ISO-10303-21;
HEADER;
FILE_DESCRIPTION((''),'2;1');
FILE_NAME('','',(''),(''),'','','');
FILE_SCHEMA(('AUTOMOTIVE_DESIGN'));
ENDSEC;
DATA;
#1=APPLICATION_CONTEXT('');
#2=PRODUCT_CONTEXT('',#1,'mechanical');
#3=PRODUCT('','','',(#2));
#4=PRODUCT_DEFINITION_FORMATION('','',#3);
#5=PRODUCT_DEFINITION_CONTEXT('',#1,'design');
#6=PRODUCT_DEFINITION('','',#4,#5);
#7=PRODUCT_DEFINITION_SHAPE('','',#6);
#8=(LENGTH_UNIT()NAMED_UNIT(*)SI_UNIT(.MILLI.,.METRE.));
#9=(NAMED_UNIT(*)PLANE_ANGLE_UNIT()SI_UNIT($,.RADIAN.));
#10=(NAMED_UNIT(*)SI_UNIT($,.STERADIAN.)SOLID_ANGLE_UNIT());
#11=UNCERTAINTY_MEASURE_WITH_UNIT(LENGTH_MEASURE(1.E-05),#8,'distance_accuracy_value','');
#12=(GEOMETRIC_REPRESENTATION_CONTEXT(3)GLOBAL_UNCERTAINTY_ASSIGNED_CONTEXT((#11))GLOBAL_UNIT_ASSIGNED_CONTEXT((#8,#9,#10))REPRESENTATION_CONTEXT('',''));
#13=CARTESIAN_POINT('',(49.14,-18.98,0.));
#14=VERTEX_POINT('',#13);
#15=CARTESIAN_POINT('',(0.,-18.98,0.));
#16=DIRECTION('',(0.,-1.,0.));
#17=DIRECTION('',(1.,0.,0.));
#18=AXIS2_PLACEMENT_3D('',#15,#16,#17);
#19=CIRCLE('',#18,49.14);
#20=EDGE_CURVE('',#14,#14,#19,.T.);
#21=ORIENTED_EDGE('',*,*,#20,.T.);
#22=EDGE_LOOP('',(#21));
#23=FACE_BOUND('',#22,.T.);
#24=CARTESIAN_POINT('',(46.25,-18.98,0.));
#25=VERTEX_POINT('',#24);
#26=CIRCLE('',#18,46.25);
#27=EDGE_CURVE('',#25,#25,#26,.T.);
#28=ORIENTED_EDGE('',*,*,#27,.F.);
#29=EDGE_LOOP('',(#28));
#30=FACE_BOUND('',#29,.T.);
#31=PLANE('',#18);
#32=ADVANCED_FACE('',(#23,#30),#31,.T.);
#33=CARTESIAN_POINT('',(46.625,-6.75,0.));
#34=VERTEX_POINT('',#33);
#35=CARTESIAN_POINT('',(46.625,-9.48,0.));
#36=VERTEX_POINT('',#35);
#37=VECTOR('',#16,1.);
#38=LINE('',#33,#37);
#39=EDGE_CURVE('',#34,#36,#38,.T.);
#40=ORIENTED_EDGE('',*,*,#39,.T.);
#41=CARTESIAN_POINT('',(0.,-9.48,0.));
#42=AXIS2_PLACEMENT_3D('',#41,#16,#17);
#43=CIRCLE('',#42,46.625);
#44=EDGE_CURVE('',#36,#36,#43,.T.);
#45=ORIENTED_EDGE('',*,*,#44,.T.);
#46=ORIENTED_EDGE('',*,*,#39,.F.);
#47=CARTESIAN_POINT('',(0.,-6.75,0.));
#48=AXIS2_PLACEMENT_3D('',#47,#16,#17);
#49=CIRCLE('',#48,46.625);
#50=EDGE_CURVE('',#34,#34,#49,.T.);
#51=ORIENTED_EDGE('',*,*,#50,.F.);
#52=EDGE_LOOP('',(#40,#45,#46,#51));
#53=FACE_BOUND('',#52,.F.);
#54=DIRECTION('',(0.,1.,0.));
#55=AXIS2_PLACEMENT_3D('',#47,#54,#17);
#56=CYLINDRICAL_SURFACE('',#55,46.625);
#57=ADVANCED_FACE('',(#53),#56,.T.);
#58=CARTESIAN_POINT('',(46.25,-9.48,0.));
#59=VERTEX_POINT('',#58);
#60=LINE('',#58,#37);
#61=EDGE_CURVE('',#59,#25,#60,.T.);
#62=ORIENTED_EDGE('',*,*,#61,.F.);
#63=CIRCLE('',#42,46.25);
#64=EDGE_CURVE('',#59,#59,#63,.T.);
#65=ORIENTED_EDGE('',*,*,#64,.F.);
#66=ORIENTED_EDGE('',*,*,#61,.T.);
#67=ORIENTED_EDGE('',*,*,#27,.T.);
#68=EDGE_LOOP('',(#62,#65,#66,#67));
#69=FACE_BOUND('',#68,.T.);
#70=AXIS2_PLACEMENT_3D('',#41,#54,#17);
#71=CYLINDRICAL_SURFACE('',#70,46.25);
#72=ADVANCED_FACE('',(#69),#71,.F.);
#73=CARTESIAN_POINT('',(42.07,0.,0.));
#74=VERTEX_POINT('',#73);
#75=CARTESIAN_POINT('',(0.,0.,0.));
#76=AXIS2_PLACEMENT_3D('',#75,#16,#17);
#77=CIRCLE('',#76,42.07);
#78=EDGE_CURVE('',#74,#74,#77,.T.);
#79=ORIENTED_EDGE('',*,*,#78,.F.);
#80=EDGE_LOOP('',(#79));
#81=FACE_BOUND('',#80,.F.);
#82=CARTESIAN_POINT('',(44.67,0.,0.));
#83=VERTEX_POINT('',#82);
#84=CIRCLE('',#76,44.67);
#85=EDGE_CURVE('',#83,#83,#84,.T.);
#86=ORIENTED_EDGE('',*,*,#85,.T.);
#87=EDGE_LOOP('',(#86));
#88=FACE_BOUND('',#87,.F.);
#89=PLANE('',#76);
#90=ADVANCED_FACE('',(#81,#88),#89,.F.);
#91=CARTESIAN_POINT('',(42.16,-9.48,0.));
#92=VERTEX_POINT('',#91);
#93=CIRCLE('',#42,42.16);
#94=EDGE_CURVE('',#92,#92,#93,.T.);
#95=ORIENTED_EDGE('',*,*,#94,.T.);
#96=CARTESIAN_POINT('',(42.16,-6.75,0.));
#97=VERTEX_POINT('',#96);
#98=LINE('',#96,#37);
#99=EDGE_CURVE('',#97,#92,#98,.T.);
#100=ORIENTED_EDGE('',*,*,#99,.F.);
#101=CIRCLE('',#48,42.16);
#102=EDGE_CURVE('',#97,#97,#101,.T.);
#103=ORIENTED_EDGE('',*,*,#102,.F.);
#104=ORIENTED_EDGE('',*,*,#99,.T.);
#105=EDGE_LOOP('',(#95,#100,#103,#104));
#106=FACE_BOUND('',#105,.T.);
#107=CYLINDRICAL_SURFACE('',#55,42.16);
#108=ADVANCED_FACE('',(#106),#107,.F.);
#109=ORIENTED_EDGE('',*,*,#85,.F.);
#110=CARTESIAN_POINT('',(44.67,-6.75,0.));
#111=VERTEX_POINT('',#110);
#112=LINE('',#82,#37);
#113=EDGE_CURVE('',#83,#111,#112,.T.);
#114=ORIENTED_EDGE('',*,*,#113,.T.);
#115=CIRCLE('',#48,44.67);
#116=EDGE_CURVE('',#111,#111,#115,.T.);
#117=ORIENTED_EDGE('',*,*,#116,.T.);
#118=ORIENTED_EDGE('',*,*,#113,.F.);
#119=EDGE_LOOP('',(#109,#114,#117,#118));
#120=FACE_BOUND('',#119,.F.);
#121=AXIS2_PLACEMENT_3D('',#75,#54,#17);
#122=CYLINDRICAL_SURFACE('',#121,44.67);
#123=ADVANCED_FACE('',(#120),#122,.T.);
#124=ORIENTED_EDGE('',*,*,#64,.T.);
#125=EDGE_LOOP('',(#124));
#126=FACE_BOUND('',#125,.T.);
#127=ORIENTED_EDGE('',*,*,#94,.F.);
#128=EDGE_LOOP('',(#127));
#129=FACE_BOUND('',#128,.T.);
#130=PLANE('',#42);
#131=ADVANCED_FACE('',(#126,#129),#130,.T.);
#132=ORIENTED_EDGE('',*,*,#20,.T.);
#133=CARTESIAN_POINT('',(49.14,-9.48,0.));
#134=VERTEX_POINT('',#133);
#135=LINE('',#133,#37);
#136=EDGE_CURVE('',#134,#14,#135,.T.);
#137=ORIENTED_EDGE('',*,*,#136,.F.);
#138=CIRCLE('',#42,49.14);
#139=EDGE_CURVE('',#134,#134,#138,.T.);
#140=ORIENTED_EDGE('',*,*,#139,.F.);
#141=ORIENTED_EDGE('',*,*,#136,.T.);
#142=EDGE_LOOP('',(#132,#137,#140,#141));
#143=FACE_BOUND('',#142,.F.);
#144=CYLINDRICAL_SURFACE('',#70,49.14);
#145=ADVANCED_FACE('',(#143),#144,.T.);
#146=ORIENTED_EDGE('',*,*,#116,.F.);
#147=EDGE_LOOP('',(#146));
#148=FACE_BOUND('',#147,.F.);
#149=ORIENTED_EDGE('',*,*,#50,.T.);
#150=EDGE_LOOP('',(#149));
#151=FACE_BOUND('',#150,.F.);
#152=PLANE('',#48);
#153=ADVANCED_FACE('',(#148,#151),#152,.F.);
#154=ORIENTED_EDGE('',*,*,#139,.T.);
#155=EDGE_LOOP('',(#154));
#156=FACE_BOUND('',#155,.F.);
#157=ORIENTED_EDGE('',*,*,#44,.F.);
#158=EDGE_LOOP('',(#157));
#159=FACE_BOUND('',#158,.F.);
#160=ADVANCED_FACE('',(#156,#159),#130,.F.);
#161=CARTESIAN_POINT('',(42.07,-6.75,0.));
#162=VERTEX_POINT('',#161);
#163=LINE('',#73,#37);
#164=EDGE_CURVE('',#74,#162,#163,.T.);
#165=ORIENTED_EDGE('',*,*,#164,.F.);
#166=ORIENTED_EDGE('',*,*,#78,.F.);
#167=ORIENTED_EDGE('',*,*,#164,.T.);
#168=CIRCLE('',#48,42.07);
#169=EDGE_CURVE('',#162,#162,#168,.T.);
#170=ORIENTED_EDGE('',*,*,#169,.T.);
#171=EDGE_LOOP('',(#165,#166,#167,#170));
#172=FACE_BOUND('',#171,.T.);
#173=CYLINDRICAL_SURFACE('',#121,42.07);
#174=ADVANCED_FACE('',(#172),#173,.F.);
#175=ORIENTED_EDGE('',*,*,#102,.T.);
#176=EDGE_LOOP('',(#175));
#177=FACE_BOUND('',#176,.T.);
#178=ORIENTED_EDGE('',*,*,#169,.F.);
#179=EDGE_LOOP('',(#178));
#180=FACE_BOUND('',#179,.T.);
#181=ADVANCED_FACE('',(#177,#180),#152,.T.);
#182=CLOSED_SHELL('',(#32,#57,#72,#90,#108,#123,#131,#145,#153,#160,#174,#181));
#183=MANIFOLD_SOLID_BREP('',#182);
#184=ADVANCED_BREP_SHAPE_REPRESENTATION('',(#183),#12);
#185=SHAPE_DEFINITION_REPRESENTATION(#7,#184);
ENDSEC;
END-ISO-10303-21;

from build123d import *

# Parameters (mm, degrees)
F0_R     = 44.67
F0_R_2   = 42.07
F1_DEPTH = 6.75
F2_R     = 46.625
F2_R_2   = 42.16
F3_DEPTH = 2.73
F4_R     = 49.14
F4_R_2   = 46.25
F5_DEPTH = 9.5


with BuildPart() as f1:
    # F0 (on Front) → F1 (new body)
    with BuildSketch(Plane.XZ):
        Circle(F0_R)
        Circle(F0_R_2, mode=Mode.SUBTRACT)
    extrude(amount=F1_DEPTH)

    # F2 (on face) → F3 (join)
    with BuildSketch(Plane.XZ.offset(6.75)):
        Circle(F2_R)
        Circle(F2_R_2, mode=Mode.SUBTRACT)
    extrude(amount=F3_DEPTH)

    # F4 (on face) → F5 (join)
    with BuildSketch(Plane.XZ.offset(9.48)):
        Circle(F4_R)
        Circle(F4_R_2, mode=Mode.SUBTRACT)
    extrude(amount=F5_DEPTH)


solid = f1.part
